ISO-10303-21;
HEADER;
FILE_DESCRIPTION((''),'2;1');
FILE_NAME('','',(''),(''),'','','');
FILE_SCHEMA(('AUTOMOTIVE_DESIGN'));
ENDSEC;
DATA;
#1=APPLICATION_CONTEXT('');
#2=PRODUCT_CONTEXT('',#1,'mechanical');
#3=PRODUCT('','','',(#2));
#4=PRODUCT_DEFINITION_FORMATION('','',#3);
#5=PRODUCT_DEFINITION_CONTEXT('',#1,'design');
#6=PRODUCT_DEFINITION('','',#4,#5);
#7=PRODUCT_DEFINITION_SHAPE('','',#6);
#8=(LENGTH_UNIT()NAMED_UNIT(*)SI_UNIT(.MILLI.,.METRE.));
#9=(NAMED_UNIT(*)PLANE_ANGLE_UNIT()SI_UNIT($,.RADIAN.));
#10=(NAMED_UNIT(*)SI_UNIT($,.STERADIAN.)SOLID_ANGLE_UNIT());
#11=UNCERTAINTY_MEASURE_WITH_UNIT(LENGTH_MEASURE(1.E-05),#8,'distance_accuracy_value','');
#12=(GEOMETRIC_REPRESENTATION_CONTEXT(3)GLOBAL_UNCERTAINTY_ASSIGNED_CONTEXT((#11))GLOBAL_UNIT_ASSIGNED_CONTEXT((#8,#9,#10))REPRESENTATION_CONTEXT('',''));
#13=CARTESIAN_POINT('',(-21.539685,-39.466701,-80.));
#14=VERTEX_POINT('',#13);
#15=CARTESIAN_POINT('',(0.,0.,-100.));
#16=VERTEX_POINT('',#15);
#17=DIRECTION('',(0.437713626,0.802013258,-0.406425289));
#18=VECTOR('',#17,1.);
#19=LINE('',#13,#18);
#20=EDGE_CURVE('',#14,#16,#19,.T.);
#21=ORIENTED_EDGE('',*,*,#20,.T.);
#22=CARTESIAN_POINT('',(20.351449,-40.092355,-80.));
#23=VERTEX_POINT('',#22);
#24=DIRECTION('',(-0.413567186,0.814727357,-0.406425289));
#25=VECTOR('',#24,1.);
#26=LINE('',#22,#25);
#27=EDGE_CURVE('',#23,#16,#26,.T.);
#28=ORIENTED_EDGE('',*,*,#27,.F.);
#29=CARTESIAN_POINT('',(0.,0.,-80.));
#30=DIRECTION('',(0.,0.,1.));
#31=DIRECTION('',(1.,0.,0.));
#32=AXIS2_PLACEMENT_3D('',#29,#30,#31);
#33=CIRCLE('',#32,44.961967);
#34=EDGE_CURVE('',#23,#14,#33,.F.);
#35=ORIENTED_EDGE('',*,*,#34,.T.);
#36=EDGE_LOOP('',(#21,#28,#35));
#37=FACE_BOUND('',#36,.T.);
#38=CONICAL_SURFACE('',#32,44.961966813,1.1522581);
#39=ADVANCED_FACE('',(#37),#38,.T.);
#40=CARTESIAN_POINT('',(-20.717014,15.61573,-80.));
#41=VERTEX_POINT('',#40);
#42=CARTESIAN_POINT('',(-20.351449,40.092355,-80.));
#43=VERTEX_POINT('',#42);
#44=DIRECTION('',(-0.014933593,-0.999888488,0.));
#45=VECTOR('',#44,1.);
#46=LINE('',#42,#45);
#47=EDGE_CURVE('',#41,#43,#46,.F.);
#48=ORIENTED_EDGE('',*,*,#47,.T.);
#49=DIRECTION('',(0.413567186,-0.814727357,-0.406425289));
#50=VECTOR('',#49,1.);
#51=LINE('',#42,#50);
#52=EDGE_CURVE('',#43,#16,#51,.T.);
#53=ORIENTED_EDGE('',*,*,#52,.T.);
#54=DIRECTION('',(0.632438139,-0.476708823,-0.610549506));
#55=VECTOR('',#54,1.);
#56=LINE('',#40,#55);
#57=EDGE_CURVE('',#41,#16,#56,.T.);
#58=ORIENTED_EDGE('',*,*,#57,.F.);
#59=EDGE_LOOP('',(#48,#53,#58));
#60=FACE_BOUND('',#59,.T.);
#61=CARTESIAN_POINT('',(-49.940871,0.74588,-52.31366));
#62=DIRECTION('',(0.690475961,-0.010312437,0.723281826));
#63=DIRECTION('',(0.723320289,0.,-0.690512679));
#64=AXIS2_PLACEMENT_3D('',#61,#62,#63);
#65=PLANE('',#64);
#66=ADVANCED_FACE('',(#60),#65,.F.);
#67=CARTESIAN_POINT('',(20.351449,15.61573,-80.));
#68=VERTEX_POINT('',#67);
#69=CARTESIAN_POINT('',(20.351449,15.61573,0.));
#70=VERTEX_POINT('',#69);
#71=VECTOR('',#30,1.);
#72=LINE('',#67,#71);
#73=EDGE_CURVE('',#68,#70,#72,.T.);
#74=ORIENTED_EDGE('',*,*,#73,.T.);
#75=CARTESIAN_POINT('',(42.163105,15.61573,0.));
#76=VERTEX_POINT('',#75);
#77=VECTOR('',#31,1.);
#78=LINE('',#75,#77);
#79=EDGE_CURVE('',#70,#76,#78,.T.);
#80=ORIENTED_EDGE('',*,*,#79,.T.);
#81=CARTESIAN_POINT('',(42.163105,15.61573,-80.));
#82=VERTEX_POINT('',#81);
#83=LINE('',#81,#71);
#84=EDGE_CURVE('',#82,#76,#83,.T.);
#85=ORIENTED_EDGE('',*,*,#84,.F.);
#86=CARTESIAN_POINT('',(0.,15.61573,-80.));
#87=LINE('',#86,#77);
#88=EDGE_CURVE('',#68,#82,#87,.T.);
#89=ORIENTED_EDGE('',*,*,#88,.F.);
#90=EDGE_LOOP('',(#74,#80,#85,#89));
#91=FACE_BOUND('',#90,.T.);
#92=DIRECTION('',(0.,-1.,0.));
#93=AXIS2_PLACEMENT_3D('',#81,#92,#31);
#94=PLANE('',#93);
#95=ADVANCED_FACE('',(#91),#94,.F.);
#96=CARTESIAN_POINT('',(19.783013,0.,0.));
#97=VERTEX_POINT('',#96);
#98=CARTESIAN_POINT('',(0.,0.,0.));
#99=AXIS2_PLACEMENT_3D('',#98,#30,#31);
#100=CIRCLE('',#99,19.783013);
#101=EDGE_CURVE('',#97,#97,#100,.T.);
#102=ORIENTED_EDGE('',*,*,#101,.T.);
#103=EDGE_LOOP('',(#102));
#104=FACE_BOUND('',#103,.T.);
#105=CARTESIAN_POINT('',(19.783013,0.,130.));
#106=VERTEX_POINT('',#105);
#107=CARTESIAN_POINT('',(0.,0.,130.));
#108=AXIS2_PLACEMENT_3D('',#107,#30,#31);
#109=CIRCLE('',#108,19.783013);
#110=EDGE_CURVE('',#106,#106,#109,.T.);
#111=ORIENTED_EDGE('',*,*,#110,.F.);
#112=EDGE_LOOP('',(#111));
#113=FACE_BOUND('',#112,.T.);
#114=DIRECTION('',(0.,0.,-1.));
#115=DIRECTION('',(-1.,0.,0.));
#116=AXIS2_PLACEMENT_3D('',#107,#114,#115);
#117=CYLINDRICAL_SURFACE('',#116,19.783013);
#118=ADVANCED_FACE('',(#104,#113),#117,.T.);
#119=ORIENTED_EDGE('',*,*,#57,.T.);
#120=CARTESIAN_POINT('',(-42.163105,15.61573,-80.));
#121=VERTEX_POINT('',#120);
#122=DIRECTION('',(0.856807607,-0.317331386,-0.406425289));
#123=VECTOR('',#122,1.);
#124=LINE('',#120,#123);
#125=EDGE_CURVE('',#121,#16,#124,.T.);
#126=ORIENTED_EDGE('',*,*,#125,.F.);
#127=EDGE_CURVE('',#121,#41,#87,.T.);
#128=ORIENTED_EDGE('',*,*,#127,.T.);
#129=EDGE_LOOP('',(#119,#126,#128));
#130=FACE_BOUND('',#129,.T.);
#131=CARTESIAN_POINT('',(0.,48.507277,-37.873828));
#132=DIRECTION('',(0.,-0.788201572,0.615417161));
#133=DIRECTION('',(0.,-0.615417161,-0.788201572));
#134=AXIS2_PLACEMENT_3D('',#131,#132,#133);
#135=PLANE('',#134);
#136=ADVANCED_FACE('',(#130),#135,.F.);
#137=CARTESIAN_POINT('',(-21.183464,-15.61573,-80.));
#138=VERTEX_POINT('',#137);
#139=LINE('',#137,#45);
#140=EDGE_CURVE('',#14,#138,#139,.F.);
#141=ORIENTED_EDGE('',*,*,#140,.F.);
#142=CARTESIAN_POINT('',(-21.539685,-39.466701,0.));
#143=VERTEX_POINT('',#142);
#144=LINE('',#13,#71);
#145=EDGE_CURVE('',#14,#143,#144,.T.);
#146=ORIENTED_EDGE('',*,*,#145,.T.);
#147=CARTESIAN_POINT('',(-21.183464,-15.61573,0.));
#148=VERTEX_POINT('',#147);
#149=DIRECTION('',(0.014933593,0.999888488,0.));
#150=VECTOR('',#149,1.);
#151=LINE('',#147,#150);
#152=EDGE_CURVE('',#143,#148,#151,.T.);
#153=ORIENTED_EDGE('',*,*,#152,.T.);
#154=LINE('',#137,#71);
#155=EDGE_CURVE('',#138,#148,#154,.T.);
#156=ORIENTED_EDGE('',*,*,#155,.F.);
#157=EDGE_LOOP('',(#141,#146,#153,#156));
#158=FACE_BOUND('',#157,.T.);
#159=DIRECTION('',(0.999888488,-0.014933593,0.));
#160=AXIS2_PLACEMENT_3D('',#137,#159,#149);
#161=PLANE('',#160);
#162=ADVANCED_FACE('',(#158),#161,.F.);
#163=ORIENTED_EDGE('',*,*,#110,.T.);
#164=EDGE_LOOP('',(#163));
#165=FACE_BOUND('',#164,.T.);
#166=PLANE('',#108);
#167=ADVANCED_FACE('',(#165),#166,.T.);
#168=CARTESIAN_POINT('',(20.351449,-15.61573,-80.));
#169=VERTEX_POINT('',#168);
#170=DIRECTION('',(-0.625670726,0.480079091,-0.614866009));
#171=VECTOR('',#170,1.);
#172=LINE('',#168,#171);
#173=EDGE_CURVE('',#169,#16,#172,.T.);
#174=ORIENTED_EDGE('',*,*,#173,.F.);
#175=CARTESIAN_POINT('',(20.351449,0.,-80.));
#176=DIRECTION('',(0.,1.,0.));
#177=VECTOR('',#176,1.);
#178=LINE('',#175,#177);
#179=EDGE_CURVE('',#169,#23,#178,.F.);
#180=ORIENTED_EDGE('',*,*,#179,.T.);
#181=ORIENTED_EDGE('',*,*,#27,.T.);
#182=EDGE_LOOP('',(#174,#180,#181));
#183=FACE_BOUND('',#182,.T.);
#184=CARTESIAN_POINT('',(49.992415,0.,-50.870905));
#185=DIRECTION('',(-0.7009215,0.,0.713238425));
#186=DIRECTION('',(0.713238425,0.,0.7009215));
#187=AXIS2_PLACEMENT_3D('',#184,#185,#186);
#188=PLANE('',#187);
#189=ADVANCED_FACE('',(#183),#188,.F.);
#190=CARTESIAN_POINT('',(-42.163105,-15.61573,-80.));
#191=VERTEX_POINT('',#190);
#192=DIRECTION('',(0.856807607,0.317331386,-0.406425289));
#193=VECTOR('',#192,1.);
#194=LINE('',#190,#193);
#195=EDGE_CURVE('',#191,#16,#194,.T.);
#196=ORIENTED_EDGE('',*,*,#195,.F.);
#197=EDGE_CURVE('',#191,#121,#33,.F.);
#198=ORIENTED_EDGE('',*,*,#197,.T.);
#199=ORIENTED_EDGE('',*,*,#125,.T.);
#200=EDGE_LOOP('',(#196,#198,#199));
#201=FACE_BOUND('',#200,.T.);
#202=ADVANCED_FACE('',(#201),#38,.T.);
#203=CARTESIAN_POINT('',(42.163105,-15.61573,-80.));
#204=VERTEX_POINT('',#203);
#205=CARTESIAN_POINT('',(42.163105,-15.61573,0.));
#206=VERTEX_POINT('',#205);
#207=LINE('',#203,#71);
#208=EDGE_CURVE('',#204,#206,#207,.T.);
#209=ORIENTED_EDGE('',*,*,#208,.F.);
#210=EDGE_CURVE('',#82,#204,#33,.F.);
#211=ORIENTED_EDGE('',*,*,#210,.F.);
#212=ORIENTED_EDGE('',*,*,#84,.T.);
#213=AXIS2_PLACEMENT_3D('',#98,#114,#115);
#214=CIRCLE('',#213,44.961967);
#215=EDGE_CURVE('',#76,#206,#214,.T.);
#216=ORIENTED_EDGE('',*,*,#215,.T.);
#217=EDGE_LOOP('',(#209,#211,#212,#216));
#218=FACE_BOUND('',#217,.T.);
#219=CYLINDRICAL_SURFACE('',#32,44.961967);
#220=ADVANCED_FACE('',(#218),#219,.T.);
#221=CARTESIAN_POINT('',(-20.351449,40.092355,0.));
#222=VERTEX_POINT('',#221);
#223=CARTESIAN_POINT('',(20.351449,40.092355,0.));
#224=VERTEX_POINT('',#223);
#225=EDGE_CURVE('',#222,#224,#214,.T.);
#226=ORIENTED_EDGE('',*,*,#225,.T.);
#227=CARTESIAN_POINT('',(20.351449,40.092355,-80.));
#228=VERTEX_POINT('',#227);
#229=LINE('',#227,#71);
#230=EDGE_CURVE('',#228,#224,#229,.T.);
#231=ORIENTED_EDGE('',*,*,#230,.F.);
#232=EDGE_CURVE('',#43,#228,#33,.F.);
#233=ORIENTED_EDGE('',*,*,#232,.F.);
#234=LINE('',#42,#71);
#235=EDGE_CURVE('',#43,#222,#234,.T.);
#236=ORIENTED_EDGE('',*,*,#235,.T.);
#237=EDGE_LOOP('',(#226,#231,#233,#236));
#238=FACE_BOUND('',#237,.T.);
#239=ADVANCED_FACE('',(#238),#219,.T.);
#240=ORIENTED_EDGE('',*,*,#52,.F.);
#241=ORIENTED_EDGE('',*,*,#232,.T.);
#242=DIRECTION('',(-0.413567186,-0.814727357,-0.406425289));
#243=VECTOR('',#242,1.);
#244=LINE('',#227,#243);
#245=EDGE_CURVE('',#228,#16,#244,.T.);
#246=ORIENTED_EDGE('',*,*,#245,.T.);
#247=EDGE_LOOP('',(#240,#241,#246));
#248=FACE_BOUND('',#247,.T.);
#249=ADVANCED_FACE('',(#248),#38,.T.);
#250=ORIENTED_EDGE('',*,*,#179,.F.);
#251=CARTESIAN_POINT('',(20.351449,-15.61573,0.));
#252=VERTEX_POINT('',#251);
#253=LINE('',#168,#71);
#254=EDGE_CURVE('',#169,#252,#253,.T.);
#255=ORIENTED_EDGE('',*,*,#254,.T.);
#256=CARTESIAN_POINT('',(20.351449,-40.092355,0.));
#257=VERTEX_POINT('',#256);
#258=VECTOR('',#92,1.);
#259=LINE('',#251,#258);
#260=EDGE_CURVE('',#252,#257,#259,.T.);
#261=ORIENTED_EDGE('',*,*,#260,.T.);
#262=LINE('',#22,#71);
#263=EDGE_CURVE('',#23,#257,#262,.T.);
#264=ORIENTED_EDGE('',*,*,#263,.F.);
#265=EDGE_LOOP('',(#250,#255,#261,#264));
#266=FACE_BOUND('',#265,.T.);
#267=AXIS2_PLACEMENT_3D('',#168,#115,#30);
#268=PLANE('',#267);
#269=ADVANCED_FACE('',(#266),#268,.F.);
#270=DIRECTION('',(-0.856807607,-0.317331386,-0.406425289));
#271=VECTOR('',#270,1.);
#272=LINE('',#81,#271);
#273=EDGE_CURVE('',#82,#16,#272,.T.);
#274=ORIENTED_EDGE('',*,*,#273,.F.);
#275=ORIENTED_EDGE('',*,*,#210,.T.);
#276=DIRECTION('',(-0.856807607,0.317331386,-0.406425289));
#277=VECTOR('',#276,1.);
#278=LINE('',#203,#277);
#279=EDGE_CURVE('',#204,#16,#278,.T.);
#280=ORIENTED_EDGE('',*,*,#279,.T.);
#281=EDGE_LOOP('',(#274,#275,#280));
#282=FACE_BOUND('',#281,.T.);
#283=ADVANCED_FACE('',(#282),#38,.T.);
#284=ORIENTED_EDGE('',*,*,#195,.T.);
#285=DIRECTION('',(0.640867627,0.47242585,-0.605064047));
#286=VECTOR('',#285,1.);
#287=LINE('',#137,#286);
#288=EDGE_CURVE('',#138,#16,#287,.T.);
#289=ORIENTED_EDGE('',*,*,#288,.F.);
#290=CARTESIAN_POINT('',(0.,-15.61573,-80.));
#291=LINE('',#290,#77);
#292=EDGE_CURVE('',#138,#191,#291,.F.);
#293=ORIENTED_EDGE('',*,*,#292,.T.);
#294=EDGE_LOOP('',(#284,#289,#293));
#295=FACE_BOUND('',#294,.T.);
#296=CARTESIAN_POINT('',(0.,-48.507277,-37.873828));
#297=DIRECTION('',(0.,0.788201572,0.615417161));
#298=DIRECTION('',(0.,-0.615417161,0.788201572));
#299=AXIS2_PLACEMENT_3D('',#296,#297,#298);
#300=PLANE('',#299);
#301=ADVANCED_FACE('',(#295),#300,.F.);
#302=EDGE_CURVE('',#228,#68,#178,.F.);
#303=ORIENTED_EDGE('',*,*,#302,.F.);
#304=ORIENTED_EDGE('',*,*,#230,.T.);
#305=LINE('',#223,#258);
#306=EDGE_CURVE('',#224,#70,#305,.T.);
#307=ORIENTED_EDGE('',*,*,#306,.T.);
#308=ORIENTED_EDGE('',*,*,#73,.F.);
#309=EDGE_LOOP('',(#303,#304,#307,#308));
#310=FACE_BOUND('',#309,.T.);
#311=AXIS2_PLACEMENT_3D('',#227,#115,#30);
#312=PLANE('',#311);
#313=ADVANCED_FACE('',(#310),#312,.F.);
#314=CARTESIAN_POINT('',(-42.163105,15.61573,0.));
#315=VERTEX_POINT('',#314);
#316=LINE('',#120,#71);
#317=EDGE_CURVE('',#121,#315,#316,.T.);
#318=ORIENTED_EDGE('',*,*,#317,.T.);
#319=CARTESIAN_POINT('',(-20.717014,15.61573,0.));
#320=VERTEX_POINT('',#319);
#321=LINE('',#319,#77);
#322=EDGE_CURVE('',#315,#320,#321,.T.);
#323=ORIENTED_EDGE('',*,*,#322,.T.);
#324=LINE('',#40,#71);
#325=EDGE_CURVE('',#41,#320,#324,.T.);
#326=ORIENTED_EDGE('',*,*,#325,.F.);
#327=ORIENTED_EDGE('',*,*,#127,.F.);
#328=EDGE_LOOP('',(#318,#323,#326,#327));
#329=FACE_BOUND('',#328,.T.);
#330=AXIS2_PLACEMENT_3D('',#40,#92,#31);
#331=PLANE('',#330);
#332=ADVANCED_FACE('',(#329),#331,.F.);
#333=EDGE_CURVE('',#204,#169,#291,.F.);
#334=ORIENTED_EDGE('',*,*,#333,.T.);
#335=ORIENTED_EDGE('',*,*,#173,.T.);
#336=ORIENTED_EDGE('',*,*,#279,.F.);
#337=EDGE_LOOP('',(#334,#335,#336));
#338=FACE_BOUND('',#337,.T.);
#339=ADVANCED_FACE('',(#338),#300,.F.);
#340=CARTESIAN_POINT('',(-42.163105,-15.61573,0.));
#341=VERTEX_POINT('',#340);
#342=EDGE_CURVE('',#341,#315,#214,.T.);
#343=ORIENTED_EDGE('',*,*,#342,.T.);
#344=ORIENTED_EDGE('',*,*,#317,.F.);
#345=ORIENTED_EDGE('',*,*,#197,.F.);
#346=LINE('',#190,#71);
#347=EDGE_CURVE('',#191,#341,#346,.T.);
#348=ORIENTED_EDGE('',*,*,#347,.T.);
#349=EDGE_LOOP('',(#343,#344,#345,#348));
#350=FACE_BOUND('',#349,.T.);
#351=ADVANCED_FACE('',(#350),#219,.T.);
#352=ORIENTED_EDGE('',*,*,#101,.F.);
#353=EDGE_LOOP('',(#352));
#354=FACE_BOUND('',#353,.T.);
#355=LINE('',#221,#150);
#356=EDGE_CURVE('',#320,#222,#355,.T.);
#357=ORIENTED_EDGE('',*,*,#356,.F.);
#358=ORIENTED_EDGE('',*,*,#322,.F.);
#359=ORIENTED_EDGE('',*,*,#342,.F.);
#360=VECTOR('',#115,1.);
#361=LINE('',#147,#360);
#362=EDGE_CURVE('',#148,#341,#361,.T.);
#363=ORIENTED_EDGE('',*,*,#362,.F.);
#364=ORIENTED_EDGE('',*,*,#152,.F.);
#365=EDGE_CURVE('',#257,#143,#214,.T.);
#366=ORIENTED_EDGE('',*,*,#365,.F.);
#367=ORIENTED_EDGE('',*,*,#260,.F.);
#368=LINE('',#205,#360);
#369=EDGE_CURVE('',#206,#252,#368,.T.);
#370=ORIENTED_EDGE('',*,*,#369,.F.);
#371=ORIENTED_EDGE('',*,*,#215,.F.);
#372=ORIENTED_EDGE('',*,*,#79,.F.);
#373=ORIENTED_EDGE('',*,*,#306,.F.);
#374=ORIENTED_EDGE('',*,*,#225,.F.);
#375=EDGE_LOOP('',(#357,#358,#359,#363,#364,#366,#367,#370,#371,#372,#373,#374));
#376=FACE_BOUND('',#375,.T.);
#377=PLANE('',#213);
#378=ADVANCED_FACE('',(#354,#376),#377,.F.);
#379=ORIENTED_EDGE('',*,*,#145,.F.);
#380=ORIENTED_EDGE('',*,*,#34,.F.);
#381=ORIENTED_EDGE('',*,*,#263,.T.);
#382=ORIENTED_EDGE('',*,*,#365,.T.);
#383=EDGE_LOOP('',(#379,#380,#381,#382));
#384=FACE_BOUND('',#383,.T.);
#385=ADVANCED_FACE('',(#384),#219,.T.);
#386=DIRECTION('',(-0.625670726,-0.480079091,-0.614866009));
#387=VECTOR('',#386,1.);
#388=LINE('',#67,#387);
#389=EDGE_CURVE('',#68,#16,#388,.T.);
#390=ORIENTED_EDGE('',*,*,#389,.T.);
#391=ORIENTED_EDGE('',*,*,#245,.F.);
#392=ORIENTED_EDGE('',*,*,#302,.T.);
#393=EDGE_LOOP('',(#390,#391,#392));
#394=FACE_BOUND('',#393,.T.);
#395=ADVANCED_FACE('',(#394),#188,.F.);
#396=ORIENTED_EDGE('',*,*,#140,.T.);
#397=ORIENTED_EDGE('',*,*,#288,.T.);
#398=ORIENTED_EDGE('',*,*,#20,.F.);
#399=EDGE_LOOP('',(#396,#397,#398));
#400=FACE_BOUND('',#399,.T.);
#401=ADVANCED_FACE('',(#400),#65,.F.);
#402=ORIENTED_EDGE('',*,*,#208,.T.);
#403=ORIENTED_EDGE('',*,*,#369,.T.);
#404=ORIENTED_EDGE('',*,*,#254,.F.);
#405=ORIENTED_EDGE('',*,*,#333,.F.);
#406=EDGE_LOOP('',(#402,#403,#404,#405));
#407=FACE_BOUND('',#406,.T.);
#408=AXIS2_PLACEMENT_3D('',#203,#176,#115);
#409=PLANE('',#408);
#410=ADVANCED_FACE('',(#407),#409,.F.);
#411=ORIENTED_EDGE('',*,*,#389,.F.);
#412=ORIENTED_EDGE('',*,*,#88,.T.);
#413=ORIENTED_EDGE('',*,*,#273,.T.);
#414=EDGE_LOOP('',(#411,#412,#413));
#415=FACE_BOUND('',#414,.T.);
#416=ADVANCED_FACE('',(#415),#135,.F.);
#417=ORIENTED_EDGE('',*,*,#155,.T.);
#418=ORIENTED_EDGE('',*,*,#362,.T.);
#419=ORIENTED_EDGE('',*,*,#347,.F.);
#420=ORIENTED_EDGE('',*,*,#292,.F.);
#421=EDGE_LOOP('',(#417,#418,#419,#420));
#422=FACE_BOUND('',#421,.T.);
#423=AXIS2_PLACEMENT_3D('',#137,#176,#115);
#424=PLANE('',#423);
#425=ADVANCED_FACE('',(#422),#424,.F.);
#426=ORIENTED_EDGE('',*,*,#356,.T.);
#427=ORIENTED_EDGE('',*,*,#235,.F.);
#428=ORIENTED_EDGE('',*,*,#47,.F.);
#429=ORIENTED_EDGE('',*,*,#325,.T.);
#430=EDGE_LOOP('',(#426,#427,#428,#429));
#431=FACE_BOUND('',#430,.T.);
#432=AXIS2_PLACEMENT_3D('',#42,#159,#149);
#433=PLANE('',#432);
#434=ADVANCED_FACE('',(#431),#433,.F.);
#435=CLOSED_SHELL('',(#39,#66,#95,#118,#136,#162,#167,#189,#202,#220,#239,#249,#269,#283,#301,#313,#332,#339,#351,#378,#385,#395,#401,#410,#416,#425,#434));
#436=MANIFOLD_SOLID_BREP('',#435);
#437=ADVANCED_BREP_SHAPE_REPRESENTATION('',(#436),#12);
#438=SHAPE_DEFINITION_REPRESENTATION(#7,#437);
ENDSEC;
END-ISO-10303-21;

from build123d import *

# Parameters (mm, degrees)
SKETCH_1_R      = 19.783013461
EXTRUDE_1_DEPTH = 130
EXTRUDE_2_DEPTH = 80


with BuildPart() as part:
    # 草图1 → 凸台-拉伸1 (new body)
    with BuildSketch(Plane.XY):
        Circle(SKETCH_1_R)
    extrude(amount=EXTRUDE_1_DEPTH)

    # 草图2 → 凸台-拉伸2 (add)
    with BuildSketch(Plane(origin=(0, 0, 0), x_dir=(-1, 0, 0), z_dir=(0, 0, -1))):
        with BuildLine():
            Line((-20.351449461, 40.092355437), (-20.351449461, 15.61573037))
            Line((-20.351449461, 15.61573037), (-42.163105017, 15.61573037))
            ThreePointArc((-42.163105017, 15.61573037), (-44.961966813, 0), (-42.163105017, -15.61573037))
            Line((-42.163105017, -15.61573037), (-20.351449461, -15.61573037))
            Line((-20.351449461, -15.61573037), (-20.351449461, -40.092355437))
            ThreePointArc((-20.351449461, -40.092355437), (0.671443732, -44.956952999), (21.539684559, -39.466700505))
            Line((21.539684559, -39.466700505), (21.183464145, -15.61573037))
            Line((21.183464145, -15.61573037), (42.163105017, -15.61573037))
            ThreePointArc((42.163105017, -15.61573037), (44.961966813, 0), (42.163105017, 15.61573037))
            Line((42.163105017, 15.61573037), (20.717014193, 15.61573037))
            Line((20.717014193, 15.61573037), (20.351449461, 40.092355437))
            ThreePointArc((20.351449461, 40.092355437), (0, 44.961966813), (-20.351449461, 40.092355437))
        make_face()
    extrude(amount=EXTRUDE_2_DEPTH)

    # 草图4 → 放样1 section 0
    with BuildSketch(Plane(origin=(0, 0, -80), x_dir=(-1, 0, 0), z_dir=(0, 0, -1)), mode=Mode.PRIVATE) as loft_1_s0:
        with BuildLine():
            Line((-20.351449461, 15.61573037), (-42.163105017, 15.61573037))
            ThreePointArc((-42.163105017, 15.61573037), (-44.961966813, 0), (-42.163105017, -15.61573037))
            Line((-42.163105017, -15.61573037), (-20.351449461, -15.61573037))
            Line((-20.351449461, -15.61573037), (-20.351449461, -40.092355437))
            ThreePointArc((-20.351449461, -40.092355437), (0.671443732, -44.956952999), (21.539684559, -39.466700505))
            Line((21.539684559, -39.466700505), (21.183464145, -15.61573037))
            Line((21.183464145, -15.61573037), (42.163105017, -15.61573037))
            ThreePointArc((42.163105017, -15.61573037), (44.961966813, 0), (42.163105017, 15.61573037))
            Line((42.163105017, 15.61573037), (20.717014193, 15.61573037))
            Line((20.717014193, 15.61573037), (20.351449461, 40.092355437))
            ThreePointArc((20.351449461, 40.092355437), (0, 44.961966813), (-20.351449461, 40.092355437))
            Line((-20.351449461, 40.092355437), (-20.351449461, 15.61573037))
        make_face()
    loft([loft_1_s0.sketch, Vertex(0, 0, -100)])


solid = part.part
